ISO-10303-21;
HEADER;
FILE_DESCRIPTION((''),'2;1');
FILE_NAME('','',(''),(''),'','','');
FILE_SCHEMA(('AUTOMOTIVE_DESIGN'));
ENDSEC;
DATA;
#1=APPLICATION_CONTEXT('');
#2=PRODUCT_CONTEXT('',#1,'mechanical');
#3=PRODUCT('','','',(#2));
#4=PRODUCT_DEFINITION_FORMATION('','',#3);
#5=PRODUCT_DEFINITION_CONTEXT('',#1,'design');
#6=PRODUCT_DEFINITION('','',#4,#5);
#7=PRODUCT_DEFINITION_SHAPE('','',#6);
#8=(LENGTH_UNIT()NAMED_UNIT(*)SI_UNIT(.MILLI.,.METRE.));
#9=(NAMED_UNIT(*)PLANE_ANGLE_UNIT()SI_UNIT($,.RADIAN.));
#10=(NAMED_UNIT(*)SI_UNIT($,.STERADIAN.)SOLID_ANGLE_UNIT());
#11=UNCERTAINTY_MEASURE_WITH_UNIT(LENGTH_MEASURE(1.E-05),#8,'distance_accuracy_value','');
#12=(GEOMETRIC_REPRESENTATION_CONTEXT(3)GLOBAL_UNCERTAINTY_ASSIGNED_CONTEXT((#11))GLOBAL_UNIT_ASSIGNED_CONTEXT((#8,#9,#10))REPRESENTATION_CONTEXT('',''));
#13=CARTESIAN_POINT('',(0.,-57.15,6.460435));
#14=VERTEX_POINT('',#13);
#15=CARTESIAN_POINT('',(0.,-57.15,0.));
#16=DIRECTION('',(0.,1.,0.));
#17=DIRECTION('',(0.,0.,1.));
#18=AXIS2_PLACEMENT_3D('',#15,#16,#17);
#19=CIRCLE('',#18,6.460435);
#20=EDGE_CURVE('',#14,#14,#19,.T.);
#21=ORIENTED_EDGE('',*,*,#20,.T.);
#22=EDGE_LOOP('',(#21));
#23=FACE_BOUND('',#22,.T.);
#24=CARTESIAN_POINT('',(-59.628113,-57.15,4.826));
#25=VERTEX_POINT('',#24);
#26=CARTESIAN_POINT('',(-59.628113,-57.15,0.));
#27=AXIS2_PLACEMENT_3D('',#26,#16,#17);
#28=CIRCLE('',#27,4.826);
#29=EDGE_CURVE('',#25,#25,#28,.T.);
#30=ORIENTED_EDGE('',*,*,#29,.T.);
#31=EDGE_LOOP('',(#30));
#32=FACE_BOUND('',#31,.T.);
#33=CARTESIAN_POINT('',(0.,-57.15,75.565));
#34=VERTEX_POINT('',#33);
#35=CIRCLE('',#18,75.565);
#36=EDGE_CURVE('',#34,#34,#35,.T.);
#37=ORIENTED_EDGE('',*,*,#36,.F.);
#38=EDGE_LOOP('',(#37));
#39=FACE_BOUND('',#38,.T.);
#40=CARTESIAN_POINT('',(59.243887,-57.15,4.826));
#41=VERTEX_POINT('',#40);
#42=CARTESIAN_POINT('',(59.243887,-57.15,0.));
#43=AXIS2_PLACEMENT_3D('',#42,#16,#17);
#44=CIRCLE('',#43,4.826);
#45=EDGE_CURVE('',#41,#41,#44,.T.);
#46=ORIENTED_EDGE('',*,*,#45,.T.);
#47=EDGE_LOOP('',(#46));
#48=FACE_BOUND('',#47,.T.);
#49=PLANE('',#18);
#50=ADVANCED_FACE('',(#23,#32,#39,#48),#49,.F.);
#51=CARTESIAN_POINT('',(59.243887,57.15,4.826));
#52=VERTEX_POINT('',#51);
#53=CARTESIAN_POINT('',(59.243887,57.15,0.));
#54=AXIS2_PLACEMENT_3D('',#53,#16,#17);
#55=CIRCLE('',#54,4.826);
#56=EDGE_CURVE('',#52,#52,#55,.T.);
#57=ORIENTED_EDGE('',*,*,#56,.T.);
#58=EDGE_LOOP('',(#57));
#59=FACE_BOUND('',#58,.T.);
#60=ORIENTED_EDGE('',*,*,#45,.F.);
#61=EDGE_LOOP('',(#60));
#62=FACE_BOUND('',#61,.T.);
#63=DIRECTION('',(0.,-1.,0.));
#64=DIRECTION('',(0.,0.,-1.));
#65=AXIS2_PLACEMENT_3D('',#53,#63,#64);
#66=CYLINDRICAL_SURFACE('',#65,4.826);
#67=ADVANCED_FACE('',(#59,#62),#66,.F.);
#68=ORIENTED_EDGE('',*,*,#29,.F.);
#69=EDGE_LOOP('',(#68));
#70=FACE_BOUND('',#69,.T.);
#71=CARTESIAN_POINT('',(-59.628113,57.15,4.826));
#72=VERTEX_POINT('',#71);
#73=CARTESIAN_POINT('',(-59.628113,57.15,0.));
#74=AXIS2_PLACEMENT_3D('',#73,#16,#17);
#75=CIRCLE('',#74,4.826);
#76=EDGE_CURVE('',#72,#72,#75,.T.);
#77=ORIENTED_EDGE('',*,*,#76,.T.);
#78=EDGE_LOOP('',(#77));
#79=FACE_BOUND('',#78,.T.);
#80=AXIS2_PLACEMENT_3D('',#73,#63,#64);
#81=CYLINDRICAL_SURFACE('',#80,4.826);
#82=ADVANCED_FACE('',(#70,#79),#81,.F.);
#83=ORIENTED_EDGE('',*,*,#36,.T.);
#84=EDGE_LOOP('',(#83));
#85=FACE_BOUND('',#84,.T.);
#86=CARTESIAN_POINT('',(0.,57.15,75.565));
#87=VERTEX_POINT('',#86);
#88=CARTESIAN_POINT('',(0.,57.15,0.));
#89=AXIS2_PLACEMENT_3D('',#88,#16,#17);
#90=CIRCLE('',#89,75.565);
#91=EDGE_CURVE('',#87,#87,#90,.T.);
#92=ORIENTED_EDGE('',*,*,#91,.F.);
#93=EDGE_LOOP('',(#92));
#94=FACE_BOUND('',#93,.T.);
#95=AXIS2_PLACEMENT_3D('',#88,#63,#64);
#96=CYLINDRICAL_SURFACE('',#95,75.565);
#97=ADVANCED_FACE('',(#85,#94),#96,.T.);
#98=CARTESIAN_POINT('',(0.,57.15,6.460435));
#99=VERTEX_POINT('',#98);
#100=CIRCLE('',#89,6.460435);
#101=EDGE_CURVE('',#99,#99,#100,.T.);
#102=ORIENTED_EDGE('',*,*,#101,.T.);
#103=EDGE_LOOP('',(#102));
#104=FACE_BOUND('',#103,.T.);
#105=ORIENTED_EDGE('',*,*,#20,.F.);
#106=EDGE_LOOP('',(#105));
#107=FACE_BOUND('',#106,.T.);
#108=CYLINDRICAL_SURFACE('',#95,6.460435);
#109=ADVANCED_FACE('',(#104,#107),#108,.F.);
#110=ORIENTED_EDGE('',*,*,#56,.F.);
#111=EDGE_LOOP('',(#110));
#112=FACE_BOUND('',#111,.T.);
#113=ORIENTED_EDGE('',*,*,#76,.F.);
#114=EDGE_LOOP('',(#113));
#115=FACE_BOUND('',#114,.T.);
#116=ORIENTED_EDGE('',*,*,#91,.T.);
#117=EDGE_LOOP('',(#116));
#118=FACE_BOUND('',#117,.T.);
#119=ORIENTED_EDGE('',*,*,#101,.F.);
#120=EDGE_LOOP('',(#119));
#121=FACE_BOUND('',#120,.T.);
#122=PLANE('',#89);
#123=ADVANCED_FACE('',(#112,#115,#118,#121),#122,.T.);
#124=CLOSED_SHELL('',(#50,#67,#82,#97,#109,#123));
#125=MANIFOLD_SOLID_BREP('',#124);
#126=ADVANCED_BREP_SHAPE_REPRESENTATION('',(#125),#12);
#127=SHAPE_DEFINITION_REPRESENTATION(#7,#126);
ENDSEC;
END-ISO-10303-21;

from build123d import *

# Parameters (mm, degrees)
SKETCH1_R           = 75.565
SKETCH1_R_2         = 6.460434783
SKETCH1_R_3         = 4.826
BOSS_EXTRUDE1_DEPTH = 57.15


with BuildPart() as part:
    # Sketch1 → Boss-Extrude1 (new body, symmetric)
    with BuildSketch(Plane(origin=(0, 0, 0), x_dir=(1, 0, 0), z_dir=(0, 1, 0))):
        Circle(SKETCH1_R)
        Circle(SKETCH1_R_2, mode=Mode.SUBTRACT)
        with Locations((-59.628113375, 0)):
            Circle(SKETCH1_R_3, mode=Mode.SUBTRACT)
        with Locations((59.243886625, 0)):
            Circle(SKETCH1_R_3, mode=Mode.SUBTRACT)
    extrude(amount=BOSS_EXTRUDE1_DEPTH, both=True)


solid = part.part
